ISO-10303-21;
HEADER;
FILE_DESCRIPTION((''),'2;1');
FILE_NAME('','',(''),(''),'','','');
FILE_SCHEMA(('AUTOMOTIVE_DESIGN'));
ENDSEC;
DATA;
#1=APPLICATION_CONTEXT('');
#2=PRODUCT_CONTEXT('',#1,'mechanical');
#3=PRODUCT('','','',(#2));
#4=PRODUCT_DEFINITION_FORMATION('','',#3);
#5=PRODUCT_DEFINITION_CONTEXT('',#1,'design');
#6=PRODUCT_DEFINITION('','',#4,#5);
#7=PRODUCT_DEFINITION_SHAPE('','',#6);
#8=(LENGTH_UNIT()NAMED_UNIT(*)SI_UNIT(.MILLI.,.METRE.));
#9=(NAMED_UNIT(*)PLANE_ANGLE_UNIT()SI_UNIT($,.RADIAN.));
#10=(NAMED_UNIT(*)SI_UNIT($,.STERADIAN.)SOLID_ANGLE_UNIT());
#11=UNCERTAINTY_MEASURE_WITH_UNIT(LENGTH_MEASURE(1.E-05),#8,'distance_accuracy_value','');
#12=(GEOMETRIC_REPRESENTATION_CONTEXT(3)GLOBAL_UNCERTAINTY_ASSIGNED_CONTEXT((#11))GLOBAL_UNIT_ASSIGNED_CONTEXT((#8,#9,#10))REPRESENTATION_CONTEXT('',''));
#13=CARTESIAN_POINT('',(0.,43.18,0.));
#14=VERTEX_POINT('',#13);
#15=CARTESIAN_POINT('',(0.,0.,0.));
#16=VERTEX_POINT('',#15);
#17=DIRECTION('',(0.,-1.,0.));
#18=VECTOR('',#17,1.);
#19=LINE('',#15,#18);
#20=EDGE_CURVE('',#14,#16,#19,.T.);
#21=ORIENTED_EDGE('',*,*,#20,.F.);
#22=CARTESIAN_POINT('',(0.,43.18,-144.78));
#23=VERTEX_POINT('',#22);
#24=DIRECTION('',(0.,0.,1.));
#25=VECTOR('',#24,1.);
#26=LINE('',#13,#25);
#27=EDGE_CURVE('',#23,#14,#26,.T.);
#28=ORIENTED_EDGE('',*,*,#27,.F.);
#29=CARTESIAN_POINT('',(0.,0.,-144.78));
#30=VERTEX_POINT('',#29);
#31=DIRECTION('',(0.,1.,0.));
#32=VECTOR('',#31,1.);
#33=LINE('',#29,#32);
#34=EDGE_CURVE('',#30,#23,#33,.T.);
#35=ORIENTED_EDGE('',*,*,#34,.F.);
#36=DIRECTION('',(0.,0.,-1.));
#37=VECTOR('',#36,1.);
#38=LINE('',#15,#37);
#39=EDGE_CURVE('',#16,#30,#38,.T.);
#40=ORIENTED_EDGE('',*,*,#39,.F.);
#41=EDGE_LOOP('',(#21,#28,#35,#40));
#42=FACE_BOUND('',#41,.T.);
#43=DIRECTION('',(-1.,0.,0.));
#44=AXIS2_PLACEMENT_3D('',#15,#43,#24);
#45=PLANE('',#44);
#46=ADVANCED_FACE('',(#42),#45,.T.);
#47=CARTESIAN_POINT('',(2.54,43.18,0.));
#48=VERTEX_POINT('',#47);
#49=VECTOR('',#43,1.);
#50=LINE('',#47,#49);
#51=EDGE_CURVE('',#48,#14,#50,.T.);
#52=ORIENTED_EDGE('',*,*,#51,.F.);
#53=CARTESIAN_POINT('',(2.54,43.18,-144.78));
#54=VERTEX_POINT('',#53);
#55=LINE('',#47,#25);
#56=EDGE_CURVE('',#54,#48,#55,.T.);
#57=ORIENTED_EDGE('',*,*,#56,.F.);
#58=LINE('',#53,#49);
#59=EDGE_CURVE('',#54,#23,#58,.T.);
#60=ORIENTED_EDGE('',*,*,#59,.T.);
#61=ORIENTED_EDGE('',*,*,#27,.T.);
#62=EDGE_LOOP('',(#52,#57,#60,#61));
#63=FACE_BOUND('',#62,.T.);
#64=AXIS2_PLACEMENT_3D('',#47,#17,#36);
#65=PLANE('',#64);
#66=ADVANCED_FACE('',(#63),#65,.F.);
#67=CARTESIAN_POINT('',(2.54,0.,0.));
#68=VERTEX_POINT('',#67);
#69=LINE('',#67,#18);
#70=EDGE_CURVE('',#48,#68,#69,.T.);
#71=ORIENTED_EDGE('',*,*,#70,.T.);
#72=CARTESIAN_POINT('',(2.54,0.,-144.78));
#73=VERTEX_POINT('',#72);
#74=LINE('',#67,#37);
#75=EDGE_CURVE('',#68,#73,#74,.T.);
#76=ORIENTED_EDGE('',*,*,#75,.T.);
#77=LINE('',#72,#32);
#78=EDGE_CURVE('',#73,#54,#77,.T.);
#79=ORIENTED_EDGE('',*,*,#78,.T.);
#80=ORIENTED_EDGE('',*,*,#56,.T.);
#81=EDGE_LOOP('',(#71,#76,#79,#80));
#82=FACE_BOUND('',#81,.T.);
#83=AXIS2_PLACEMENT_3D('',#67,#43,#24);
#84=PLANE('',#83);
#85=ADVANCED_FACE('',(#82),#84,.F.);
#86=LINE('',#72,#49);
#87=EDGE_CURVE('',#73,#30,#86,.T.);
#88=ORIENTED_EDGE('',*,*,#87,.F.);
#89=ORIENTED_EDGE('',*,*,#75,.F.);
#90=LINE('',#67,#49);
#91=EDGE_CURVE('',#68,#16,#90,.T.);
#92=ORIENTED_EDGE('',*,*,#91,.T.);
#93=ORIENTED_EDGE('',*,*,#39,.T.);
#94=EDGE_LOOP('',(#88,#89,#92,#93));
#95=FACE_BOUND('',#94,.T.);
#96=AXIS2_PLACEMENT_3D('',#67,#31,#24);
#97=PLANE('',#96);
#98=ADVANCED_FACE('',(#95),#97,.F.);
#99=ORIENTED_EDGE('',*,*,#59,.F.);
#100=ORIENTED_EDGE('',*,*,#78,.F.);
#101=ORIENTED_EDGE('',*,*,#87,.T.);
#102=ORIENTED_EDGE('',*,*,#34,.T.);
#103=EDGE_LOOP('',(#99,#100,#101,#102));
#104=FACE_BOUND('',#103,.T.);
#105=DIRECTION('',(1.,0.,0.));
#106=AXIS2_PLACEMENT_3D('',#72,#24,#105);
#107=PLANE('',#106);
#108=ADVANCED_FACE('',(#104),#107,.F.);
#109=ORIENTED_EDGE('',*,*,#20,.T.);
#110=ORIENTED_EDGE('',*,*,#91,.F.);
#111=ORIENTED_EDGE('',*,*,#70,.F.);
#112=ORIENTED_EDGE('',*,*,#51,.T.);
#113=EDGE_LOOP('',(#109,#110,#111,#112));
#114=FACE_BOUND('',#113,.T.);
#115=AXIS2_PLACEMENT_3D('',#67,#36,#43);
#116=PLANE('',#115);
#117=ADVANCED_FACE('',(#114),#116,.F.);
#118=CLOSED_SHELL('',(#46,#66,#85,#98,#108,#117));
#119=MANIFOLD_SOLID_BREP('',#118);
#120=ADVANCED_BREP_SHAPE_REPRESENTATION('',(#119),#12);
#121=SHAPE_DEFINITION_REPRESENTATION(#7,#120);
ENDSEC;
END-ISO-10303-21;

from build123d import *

# Parameters (mm, degrees)
SKETCH1_W           = 144.78
SKETCH1_H           = 43.18
BOSS_EXTRUDE1_DEPTH = 2.54


with BuildPart() as part:
    # Sketch1 → Boss-Extrude1 (new body)
    with BuildSketch(Plane(origin=(0, 0, 0), x_dir=(0, 0, -1), z_dir=(1, 0, 0))):
        with Locations((72.39, 21.59)):
            Rectangle(SKETCH1_W, SKETCH1_H)
    extrude(amount=BOSS_EXTRUDE1_DEPTH)


solid = part.part
